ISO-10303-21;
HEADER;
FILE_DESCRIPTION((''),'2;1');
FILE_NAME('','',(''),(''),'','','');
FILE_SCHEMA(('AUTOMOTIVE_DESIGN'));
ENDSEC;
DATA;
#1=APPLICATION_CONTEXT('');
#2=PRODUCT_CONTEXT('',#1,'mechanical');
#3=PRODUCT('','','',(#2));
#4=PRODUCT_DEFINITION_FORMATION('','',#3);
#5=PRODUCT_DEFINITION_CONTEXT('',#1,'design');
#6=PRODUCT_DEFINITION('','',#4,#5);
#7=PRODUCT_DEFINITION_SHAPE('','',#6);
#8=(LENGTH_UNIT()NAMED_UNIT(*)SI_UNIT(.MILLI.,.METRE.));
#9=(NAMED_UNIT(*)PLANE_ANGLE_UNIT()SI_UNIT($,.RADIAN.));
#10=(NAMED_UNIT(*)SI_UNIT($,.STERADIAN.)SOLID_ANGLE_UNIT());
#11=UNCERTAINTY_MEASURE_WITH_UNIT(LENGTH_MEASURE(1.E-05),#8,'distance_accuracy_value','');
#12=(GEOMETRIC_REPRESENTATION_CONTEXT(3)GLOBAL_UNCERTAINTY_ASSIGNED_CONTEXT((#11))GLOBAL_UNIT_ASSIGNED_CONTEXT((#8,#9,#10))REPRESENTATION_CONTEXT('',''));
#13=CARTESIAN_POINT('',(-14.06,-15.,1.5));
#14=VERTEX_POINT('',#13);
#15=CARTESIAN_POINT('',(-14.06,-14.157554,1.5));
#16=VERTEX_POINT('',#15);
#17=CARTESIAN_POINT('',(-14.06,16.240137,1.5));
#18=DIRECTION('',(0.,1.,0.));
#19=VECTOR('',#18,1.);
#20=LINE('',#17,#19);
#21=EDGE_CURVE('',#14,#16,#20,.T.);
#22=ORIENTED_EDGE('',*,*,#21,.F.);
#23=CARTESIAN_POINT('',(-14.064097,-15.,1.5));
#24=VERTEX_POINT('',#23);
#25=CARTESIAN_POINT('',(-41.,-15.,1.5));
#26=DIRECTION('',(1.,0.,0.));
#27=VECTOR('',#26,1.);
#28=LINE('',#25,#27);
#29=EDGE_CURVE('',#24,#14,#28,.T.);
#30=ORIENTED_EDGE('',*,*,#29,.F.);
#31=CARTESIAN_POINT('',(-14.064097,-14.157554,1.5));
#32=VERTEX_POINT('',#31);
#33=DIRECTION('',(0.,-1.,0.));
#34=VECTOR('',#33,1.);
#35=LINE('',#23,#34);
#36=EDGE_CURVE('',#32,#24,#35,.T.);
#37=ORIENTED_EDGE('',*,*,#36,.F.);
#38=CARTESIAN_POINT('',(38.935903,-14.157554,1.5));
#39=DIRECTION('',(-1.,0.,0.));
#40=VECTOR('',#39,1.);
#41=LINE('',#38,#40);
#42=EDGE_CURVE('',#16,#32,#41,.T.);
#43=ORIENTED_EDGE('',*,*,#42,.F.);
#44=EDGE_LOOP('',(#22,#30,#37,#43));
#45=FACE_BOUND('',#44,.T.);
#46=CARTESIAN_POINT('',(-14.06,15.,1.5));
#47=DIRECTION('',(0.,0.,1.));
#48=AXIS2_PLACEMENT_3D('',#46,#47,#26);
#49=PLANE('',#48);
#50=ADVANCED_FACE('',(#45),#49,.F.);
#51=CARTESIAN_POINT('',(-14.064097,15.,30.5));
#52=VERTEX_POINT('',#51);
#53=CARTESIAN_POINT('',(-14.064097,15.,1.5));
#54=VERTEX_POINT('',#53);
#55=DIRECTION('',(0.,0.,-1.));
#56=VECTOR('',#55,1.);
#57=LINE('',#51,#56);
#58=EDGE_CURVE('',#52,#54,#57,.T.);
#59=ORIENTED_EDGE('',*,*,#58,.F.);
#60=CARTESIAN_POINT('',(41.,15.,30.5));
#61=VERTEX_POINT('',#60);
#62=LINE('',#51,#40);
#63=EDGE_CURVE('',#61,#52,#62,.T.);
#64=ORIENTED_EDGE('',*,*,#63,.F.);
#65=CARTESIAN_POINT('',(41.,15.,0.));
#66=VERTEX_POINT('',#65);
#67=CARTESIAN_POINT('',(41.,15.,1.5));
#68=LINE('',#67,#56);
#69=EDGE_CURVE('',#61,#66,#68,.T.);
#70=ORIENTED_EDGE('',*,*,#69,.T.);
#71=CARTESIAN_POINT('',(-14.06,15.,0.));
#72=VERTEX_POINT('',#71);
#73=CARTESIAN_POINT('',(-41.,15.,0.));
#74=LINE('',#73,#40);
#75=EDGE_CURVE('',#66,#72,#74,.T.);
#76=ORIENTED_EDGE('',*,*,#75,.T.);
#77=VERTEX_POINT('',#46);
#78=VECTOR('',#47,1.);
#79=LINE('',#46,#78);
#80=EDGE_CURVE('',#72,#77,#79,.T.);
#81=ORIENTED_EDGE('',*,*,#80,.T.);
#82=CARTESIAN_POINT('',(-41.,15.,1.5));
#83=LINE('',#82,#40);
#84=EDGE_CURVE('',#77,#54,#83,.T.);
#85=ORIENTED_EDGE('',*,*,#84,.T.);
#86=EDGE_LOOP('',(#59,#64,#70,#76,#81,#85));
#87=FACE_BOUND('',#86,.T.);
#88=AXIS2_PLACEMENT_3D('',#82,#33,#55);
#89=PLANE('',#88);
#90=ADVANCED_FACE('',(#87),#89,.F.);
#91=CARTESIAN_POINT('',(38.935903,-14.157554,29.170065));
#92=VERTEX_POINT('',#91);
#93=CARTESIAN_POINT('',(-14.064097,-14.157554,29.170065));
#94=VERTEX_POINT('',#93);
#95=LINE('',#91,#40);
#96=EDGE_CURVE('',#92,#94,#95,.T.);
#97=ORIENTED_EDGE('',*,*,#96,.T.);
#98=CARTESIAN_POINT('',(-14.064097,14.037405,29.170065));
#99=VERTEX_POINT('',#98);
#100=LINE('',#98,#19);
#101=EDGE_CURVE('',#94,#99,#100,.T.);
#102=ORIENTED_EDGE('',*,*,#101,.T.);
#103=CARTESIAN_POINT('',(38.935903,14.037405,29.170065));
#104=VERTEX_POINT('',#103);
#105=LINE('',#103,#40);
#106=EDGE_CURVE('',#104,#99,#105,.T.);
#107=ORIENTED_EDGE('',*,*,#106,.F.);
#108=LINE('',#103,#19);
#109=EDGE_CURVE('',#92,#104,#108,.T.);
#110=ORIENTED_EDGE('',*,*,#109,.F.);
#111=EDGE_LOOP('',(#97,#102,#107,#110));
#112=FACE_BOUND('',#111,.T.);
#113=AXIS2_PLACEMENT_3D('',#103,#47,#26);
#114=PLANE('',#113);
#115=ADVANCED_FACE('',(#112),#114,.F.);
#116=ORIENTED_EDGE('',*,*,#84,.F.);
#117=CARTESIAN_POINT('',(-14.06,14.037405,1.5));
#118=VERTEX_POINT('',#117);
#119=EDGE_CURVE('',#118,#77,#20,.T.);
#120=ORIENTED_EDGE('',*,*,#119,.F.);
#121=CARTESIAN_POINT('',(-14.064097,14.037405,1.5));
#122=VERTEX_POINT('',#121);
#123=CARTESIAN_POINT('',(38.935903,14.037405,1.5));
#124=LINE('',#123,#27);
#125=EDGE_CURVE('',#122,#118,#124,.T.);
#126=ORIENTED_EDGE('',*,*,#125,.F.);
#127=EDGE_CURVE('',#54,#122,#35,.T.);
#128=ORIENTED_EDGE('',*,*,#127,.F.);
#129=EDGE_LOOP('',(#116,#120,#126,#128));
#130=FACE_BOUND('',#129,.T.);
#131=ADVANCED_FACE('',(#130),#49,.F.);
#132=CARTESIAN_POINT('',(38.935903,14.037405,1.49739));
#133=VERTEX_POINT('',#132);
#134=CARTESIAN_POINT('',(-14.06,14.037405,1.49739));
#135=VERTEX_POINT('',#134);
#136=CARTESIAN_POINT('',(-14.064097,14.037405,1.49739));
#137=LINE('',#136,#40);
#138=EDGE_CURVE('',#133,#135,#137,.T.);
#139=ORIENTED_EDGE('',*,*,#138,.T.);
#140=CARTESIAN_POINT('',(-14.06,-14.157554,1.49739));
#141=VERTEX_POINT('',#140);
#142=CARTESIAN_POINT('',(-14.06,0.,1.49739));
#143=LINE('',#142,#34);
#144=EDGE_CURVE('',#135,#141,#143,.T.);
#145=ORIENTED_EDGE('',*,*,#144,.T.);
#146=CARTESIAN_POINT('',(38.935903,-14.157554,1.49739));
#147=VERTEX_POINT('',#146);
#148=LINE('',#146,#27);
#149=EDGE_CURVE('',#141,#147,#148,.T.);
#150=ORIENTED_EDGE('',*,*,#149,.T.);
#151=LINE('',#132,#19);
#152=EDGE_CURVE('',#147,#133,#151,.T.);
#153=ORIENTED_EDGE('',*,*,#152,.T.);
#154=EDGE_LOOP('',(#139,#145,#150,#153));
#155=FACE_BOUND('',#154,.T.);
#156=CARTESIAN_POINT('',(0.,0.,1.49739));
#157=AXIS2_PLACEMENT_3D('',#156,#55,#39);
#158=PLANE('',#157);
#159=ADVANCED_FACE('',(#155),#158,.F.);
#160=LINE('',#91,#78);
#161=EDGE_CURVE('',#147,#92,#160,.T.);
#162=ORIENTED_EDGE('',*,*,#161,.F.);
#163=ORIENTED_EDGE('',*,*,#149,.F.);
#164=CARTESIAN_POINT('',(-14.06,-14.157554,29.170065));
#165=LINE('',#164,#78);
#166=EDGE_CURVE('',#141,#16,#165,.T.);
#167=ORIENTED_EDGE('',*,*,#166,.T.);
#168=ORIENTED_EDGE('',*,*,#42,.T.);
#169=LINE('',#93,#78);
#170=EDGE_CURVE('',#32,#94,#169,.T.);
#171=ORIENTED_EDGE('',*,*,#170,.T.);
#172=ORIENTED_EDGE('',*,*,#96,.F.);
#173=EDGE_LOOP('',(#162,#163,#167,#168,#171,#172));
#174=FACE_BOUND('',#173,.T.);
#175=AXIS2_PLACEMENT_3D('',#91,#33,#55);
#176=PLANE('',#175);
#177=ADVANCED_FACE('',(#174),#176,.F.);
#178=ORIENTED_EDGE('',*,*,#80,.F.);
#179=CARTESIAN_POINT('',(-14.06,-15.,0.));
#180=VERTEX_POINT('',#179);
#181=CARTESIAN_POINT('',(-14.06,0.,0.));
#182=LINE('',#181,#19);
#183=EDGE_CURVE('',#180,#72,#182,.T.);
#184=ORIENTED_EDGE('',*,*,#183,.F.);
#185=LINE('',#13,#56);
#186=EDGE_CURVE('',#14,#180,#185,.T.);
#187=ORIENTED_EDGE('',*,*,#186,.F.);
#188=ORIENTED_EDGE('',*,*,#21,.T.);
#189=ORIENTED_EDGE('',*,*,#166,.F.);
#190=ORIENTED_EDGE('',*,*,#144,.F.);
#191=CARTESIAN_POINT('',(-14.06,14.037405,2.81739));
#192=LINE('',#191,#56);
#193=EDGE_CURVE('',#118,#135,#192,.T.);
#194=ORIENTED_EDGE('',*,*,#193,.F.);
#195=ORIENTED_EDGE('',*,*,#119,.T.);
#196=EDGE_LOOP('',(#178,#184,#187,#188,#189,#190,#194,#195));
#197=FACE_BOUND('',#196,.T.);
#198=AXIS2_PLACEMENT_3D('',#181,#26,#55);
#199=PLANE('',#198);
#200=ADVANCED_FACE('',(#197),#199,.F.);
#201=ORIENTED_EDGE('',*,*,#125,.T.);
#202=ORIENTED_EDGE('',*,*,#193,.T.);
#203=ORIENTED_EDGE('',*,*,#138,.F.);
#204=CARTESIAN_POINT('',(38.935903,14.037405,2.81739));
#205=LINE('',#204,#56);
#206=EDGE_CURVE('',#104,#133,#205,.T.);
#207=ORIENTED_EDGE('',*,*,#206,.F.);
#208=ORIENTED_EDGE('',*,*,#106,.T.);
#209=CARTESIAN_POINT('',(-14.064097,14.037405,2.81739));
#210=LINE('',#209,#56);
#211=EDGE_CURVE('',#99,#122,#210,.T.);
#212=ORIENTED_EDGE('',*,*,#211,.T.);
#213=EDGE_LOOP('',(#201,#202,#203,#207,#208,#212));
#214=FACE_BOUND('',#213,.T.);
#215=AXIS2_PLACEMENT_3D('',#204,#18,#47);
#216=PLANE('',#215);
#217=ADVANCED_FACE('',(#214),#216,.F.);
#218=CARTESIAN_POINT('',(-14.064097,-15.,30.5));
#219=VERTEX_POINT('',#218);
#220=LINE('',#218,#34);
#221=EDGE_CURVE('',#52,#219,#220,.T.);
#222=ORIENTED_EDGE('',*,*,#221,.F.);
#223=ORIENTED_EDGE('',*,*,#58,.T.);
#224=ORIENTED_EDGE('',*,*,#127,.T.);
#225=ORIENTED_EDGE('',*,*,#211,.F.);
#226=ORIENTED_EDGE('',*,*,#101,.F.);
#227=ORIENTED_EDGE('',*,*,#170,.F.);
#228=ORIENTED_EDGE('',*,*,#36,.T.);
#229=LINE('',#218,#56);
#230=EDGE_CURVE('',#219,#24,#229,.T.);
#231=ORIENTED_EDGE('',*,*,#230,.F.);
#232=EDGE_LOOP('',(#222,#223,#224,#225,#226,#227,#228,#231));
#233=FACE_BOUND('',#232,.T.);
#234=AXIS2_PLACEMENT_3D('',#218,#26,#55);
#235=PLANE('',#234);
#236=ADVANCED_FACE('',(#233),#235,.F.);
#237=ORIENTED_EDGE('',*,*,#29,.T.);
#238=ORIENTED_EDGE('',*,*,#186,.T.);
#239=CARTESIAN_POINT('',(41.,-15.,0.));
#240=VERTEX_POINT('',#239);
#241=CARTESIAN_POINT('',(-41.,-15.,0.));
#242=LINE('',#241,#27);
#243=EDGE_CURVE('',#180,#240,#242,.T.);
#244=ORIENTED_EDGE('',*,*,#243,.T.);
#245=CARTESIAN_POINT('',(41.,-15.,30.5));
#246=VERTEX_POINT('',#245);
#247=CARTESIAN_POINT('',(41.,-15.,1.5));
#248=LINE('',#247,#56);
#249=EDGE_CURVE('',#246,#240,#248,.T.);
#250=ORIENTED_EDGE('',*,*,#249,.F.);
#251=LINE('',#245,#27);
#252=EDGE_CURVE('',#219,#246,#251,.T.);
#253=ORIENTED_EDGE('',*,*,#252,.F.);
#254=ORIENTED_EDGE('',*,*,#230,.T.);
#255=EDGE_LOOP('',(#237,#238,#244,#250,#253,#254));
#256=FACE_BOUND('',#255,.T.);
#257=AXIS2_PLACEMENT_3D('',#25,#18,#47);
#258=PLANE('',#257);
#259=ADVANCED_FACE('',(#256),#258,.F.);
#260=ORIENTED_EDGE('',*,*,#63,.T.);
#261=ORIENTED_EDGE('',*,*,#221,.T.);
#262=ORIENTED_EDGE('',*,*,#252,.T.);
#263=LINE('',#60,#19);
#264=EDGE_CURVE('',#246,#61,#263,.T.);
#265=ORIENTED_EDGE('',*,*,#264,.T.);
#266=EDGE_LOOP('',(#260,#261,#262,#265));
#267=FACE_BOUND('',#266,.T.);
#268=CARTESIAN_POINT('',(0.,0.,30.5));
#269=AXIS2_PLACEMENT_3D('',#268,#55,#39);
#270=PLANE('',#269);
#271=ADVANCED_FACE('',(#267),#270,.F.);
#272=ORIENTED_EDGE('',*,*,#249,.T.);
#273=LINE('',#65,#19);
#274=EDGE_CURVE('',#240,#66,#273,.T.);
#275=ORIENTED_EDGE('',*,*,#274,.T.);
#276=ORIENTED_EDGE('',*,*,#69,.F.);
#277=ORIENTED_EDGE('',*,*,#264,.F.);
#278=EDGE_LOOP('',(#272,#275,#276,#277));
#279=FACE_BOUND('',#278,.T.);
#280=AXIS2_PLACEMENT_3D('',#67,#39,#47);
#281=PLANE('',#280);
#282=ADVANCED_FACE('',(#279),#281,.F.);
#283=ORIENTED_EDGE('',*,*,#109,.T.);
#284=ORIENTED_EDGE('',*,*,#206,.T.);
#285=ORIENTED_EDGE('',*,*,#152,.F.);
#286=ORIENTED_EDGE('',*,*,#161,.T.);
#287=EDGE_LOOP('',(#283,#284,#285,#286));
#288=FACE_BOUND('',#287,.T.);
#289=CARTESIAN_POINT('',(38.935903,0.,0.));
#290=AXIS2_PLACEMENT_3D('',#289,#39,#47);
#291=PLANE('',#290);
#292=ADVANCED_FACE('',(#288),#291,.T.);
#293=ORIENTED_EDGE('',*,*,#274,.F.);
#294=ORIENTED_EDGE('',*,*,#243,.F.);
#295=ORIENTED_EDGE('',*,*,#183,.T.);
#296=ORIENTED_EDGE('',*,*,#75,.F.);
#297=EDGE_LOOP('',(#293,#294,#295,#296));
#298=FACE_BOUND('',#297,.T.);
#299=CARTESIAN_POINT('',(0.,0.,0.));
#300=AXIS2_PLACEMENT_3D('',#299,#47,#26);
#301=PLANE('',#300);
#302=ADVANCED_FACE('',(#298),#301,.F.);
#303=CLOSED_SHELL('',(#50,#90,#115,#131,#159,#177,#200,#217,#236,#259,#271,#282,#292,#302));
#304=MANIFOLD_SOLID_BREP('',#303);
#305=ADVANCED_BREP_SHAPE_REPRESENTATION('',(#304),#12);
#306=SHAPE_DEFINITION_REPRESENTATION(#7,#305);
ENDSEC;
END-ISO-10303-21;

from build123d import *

# Parameters (mm, degrees)
SKETCH_1_W          = 82
SKETCH_1_H          = 30
EXTRUDE_1_DEPTH     = 1.5
SKETCH_2_W          = 1.997612732
SKETCH_2_H          = 25.79850023
EXTRUDE_3_DEPTH     = 3.5
SKETCH_4_W          = 1.75
SKETCH_4_H          = 25.79850023
EXTRUDE_4_DEPTH     = 26
SKETCH_5_W          = 55.064096776
SKETCH_5_H          = 30
EXTRUDE_5_DEPTH     = 29
SKETCH_6_W          = 26.352675357
SKETCH_6_H          = 28.194959652
CUT_EXTRUDE_1_DEPTH = 53
SKETCH_8_W          = 53
SKETCH_8_H          = 28.194959652
CUT_EXTRUDE_2_DEPTH = 1.32
CUT_EXTRUDE_5_DEPTH = 26.94
CUT_EXTRUDE_6_DEPTH = 26.94


with BuildPart() as part:
    # 草圖1 → 填料-伸長1 (new body)
    with BuildSketch(Plane.XY):
        Rectangle(SKETCH_1_W, SKETCH_1_H)
    extrude(amount=EXTRUDE_1_DEPTH)

    # 草圖2 → 填料-伸長3 (add)
    with BuildSketch(Plane(origin=(0, 0, 0), x_dir=(-1, 0, 0), z_dir=(0, 0, -1))):
        with Locations((40.001193634, 0)):
            Rectangle(SKETCH_2_W, SKETCH_2_H)
    extrude(amount=EXTRUDE_3_DEPTH)

    # 草圖4 → 填料-伸長4 (add)
    with BuildSketch(Plane(origin=(-39.002387268, 0, 0), x_dir=(0, 0, -1), z_dir=(1, 0, 0))):
        with Locations((2.625, 0)):
            Rectangle(SKETCH_4_W, SKETCH_4_H)
    extrude(amount=EXTRUDE_4_DEPTH)

    # 草圖5 → 填料-伸長5 (add)
    with BuildSketch(Plane.XY.offset(1.5)):
        with Locations((13.467951612, 0)):
            Rectangle(SKETCH_5_W, SKETCH_5_H)
    extrude(amount=EXTRUDE_5_DEPTH)

    # 草圖6 → 除料-伸長1 (cut)
    with BuildSketch(Plane.ZY.offset(14.064096776)):
        with Locations((15.993727328, -0.060074488)):
            Rectangle(SKETCH_6_W, SKETCH_6_H)
    extrude(amount=-CUT_EXTRUDE_1_DEPTH, mode=Mode.SUBTRACT)

    # 草圖8 → 除料-伸長2 (cut)
    with BuildSketch(Plane.XY.offset(2.817389649)):
        with Locations((12.435903224, -0.060074488)):
            Rectangle(SKETCH_8_W, SKETCH_8_H)
    extrude(amount=-CUT_EXTRUDE_2_DEPTH, mode=Mode.SUBTRACT)

    # 草圖10 → 除料-伸長5 (cut)
    with BuildSketch(Plane.ZY.offset(41)):
        Polygon((1.5, 15), (1.5, -16.079937927), (-4.357490946, -16.079937927), (-4.357490946, 16.240136561), (1.5, 16.240136561), align=None)
    extrude(amount=-CUT_EXTRUDE_5_DEPTH, mode=Mode.SUBTRACT)


with BuildPart() as cut_extrude_5_piece_1:
    # of the separate pieces the step leaves, piece 1, a body of its own (cut_extrude_5_pieces)
    add(part.part.solids().sort_by_distance((-14.06, 15, 0))[0])


with BuildPart() as cut_extrude_5_piece_2:
    # of the separate pieces the step leaves, piece 2, a body of its own (cut_extrude_5_pieces)
    add(part.part.solids().sort_by_distance((-14.06, 12.899250115, -1.75))[0])

    # 草圖11 → 除料-伸長6 (cut)
    with BuildSketch(Plane.ZY.offset(14.06)):
        Polygon((-1.75, 12.899250115), (-3.5, 12.899250115), (-4.749423893, -13.676958411), (-1.265103595, -13.676958411), (-1.265103595, 12.899250115), align=None)
    extrude(amount=-CUT_EXTRUDE_6_DEPTH, mode=Mode.SUBTRACT)


solid = cut_extrude_5_piece_1.part
